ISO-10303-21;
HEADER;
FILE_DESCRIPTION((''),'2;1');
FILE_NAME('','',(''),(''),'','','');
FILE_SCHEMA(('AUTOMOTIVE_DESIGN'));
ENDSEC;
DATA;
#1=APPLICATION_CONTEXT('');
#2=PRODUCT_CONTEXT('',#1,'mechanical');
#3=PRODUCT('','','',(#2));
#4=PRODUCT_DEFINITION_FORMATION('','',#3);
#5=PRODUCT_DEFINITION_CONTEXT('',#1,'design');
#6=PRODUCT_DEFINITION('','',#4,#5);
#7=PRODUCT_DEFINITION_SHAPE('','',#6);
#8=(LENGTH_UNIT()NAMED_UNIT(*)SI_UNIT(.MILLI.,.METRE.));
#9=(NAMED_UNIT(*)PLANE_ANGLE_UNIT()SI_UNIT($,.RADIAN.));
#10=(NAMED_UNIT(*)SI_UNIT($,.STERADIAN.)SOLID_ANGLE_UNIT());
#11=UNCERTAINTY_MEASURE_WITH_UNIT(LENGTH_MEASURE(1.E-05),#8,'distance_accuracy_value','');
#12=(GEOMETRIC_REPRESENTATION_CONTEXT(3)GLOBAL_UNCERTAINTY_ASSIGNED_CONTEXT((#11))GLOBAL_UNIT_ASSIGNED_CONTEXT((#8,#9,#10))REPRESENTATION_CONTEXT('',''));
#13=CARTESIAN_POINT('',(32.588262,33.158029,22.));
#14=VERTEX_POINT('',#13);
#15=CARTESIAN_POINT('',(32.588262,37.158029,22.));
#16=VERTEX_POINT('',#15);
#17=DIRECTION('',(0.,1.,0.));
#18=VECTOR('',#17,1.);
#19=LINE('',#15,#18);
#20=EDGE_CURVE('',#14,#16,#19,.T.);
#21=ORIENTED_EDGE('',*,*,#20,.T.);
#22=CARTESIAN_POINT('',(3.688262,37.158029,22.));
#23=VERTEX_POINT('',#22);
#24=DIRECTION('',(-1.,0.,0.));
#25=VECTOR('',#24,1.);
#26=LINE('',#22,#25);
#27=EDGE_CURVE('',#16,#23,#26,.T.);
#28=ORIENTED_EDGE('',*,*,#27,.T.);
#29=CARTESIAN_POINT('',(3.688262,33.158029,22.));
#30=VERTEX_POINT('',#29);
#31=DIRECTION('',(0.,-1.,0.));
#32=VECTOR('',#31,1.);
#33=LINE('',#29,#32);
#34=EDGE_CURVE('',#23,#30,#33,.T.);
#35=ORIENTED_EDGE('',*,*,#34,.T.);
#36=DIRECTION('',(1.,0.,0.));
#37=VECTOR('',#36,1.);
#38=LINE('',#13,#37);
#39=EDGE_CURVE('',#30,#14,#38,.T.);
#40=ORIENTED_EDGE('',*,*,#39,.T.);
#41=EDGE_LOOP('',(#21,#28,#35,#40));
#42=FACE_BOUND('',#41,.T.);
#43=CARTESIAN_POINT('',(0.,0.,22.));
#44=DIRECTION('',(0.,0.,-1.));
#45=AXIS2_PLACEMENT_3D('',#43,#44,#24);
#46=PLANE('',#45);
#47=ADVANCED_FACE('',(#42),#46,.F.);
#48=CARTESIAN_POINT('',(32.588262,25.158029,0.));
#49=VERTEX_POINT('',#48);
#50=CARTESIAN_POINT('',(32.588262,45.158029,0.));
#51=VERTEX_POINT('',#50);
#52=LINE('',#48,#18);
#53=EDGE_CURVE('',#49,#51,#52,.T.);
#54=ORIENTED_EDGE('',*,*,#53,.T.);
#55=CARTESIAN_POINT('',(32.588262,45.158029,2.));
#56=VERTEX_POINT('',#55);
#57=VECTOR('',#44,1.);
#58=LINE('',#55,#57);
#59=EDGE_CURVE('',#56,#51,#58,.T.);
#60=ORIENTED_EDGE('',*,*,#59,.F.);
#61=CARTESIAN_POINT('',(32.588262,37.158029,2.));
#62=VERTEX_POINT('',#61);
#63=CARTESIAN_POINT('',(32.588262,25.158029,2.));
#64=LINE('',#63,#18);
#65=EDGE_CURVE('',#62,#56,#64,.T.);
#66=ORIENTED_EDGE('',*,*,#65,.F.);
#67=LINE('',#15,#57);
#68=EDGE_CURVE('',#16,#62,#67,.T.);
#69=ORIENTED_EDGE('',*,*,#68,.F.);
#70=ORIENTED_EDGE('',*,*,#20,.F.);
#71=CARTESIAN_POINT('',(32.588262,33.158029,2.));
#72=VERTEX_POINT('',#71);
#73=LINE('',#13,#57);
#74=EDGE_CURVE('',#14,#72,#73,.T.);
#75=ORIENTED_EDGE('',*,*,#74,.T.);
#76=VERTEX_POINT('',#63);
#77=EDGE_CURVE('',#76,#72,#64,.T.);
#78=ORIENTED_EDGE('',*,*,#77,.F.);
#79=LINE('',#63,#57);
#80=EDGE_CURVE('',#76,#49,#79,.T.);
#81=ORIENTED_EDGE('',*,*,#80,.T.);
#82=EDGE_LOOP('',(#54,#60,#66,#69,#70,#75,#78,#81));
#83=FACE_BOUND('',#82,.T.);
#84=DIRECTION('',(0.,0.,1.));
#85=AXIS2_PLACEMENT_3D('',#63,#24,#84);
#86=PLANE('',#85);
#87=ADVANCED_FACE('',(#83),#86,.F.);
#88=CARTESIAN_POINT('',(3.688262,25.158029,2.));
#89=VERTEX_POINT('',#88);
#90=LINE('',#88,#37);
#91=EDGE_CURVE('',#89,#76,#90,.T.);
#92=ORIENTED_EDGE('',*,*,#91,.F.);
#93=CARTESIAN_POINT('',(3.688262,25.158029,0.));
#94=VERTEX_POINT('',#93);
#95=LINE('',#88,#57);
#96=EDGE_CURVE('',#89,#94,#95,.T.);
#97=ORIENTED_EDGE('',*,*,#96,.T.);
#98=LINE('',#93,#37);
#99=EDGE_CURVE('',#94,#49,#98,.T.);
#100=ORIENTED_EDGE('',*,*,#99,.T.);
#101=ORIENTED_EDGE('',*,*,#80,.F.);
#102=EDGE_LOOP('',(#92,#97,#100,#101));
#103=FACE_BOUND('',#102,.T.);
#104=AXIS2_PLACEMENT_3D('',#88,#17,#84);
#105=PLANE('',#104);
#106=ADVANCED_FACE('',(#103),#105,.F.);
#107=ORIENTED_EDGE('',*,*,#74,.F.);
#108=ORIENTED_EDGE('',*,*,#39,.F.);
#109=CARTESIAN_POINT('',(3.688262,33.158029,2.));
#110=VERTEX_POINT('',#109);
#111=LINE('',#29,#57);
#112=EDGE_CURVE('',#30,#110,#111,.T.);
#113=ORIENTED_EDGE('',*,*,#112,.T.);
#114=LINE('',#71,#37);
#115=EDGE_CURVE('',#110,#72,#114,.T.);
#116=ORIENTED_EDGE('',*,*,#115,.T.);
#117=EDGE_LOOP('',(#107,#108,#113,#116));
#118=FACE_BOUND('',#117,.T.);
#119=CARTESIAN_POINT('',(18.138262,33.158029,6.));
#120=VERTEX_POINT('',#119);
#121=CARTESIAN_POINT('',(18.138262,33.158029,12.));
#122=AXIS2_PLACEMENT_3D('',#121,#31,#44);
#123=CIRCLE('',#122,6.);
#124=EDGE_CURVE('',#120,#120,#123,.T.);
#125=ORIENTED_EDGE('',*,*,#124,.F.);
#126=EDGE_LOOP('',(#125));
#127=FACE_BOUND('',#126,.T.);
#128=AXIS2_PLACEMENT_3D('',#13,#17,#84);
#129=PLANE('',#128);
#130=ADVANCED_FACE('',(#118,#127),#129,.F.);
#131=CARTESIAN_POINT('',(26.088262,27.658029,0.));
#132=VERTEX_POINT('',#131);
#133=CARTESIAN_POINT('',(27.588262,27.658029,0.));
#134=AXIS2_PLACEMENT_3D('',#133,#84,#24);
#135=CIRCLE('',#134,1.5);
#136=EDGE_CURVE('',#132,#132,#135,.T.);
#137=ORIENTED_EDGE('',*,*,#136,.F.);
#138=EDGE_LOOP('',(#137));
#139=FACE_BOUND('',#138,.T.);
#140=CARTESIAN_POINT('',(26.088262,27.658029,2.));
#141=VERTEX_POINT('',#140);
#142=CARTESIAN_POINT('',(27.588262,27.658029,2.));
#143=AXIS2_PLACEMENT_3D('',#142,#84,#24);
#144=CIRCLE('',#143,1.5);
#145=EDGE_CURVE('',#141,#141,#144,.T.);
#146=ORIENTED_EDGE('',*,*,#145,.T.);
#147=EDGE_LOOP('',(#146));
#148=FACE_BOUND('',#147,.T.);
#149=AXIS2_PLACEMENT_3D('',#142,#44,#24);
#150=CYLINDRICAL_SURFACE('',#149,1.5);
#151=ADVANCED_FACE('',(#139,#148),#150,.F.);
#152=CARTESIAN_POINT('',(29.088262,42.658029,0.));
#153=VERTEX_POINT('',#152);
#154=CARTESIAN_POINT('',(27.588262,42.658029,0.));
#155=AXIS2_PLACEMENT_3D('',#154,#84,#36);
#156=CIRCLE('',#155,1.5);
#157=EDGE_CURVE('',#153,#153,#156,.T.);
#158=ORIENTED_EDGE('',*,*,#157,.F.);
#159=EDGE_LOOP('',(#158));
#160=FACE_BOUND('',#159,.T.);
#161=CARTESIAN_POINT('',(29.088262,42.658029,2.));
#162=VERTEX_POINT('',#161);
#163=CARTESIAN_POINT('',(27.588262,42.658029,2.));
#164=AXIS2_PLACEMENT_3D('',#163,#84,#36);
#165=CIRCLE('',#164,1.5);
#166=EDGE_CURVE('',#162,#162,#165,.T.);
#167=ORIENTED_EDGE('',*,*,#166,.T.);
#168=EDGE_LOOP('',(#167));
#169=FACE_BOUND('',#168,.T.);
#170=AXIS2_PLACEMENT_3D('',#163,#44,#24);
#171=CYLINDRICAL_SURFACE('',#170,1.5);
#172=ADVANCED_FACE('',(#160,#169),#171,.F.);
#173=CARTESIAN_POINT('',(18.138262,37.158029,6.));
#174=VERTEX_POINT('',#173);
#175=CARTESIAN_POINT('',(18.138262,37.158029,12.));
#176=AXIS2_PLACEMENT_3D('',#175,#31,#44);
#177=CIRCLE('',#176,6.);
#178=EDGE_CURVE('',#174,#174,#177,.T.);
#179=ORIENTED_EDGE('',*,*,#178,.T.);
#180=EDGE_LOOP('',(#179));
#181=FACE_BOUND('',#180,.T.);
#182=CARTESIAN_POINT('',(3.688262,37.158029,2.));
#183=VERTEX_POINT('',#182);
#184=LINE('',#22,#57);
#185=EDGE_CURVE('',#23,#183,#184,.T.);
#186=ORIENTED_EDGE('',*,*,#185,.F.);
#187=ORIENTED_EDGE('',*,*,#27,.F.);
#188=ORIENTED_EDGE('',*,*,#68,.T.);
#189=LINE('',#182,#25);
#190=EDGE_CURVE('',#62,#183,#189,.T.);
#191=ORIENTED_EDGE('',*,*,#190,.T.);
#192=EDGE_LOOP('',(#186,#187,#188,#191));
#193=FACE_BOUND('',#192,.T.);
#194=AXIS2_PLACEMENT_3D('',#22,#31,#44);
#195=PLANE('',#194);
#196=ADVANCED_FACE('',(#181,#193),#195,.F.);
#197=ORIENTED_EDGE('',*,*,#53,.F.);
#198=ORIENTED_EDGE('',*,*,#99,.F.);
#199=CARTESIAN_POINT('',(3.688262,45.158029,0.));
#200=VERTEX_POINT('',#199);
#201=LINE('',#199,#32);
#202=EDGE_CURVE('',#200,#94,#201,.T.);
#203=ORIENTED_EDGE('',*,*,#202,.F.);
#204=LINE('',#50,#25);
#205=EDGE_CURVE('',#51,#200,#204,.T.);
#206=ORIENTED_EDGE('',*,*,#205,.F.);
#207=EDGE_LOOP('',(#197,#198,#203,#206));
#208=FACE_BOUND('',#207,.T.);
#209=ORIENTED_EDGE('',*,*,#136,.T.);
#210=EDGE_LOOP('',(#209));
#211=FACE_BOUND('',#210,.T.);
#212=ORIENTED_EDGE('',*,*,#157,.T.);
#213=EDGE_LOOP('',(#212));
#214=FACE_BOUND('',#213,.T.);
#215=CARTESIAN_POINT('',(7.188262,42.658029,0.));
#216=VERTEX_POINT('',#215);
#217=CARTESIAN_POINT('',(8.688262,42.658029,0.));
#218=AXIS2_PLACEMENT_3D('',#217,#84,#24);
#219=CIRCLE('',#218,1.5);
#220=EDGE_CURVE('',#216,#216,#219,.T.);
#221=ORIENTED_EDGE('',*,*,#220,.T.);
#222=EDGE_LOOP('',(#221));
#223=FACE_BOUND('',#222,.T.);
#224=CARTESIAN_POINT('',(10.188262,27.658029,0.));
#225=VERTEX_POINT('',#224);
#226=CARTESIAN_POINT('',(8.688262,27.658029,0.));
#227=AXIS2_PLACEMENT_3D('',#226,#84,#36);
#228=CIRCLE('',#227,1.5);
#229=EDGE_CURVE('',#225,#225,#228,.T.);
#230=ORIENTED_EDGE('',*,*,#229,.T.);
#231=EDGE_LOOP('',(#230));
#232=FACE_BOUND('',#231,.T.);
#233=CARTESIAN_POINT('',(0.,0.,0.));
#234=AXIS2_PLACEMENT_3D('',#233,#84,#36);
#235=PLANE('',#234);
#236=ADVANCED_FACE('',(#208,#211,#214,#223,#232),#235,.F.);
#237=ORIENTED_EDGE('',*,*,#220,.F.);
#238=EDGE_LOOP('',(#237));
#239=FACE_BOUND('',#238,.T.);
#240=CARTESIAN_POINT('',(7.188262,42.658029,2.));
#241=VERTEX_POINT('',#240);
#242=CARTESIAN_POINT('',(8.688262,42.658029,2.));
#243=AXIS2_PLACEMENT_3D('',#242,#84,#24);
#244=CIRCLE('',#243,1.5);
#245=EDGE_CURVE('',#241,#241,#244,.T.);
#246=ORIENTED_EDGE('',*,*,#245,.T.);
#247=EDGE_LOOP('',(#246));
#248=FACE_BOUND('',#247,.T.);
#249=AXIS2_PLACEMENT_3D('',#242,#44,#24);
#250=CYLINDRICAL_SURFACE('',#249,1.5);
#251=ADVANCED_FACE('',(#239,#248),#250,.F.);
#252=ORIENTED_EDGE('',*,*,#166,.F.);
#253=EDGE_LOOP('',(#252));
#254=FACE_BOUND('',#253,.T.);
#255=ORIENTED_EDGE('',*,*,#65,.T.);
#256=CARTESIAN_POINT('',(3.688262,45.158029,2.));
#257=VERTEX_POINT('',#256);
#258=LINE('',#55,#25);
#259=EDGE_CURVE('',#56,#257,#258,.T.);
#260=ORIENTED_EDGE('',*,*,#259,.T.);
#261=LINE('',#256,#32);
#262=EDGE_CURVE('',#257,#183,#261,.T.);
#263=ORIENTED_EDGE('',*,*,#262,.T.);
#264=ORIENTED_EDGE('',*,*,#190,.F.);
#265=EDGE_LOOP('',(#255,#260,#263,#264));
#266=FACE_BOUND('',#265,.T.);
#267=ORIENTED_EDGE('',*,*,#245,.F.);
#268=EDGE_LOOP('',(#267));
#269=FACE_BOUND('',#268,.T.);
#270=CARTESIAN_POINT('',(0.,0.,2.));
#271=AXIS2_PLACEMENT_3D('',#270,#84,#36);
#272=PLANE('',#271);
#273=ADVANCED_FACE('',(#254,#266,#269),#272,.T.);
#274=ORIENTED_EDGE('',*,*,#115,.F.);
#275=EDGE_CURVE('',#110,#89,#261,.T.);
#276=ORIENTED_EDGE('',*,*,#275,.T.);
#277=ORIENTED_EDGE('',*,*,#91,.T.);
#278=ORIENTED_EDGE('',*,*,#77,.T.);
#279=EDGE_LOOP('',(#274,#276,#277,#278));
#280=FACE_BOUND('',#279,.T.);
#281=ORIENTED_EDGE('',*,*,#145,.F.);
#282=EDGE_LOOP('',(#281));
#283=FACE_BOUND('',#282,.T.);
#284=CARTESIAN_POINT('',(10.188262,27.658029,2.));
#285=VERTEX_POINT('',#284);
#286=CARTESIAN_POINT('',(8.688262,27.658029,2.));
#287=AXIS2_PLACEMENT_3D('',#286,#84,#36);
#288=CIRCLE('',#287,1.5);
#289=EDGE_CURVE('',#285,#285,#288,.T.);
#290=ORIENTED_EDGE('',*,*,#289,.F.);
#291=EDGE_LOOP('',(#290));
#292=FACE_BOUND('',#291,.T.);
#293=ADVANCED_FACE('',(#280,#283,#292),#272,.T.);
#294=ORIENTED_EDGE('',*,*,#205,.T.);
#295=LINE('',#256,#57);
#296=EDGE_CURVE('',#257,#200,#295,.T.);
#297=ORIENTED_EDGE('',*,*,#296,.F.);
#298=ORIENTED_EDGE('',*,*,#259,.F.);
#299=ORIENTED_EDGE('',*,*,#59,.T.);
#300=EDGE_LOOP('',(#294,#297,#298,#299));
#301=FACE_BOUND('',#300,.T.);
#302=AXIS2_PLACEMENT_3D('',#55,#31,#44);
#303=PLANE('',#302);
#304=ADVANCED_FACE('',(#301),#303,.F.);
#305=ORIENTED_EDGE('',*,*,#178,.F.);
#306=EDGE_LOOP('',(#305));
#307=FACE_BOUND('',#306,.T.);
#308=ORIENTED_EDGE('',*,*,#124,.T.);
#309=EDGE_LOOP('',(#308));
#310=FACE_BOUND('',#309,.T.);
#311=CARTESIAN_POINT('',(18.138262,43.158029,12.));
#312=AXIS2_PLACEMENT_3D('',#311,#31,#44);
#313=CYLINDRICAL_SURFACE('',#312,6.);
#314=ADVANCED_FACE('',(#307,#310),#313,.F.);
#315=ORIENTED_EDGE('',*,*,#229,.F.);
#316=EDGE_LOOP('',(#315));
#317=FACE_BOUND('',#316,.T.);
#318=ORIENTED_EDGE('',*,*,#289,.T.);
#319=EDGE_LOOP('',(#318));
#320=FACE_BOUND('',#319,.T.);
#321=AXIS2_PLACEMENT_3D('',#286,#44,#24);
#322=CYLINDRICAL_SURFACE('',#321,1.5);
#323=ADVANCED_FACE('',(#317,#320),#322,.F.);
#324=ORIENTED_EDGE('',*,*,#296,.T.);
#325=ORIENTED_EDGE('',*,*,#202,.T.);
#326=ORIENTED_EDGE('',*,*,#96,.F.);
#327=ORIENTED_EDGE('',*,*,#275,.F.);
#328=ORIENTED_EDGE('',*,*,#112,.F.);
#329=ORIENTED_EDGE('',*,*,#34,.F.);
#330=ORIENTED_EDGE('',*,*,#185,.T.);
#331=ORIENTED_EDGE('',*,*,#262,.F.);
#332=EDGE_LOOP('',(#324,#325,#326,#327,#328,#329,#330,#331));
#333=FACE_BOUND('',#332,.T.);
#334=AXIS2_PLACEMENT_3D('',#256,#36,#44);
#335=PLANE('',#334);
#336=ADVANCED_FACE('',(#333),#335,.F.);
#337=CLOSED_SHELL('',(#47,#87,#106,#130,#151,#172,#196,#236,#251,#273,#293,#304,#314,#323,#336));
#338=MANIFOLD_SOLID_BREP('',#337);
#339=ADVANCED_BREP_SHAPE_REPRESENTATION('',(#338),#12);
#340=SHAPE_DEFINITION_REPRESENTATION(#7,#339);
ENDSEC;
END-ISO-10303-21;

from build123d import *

# Parameters (mm, degrees)
SKETCH_1_W          = 28.9
SKETCH_1_H          = 20
SKETCH_1_R          = 1.5
EXTRUDE_1_DEPTH     = 2
EXTRUDE_2_DEPTH     = 20
SKETCH_4_R          = 6
CUT_EXTRUDE_1_DEPTH = 10


with BuildPart() as part:
    # 草图1 → 凸台-拉伸1 (new body)
    with BuildSketch(Plane.XY):
        with Locations((18.138262449, 35.158029485)):
            Rectangle(SKETCH_1_W, SKETCH_1_H)
        with Locations((27.588262449, 42.658029485)):
            Circle(SKETCH_1_R, mode=Mode.SUBTRACT)
        with Locations((8.688262449, 42.658029485)):
            Circle(SKETCH_1_R, mode=Mode.SUBTRACT)
        with Locations((8.688262449, 27.658029485)):
            Circle(SKETCH_1_R, mode=Mode.SUBTRACT)
        with Locations((27.588262449, 27.658029485)):
            Circle(SKETCH_1_R, mode=Mode.SUBTRACT)
    extrude(amount=EXTRUDE_1_DEPTH)

    # 草图2 → 凸台-拉伸2 (add)
    with BuildSketch(Plane.XY.offset(2)):
        Polygon((3.688262449, 35.158029485), (3.688262449, 37.158029485), (32.588262449, 37.158029485), (32.588262449, 33.158029485), (3.688262449, 33.158029485), align=None)
    extrude(amount=EXTRUDE_2_DEPTH)

    # 草图4 → 切除-拉伸1 (cut)
    with BuildSketch(Plane.XZ.offset(-33.158029485)):
        with Locations((18.138262449, 12)):
            Circle(SKETCH_4_R)
    extrude(amount=-CUT_EXTRUDE_1_DEPTH, mode=Mode.SUBTRACT)


solid = part.part
